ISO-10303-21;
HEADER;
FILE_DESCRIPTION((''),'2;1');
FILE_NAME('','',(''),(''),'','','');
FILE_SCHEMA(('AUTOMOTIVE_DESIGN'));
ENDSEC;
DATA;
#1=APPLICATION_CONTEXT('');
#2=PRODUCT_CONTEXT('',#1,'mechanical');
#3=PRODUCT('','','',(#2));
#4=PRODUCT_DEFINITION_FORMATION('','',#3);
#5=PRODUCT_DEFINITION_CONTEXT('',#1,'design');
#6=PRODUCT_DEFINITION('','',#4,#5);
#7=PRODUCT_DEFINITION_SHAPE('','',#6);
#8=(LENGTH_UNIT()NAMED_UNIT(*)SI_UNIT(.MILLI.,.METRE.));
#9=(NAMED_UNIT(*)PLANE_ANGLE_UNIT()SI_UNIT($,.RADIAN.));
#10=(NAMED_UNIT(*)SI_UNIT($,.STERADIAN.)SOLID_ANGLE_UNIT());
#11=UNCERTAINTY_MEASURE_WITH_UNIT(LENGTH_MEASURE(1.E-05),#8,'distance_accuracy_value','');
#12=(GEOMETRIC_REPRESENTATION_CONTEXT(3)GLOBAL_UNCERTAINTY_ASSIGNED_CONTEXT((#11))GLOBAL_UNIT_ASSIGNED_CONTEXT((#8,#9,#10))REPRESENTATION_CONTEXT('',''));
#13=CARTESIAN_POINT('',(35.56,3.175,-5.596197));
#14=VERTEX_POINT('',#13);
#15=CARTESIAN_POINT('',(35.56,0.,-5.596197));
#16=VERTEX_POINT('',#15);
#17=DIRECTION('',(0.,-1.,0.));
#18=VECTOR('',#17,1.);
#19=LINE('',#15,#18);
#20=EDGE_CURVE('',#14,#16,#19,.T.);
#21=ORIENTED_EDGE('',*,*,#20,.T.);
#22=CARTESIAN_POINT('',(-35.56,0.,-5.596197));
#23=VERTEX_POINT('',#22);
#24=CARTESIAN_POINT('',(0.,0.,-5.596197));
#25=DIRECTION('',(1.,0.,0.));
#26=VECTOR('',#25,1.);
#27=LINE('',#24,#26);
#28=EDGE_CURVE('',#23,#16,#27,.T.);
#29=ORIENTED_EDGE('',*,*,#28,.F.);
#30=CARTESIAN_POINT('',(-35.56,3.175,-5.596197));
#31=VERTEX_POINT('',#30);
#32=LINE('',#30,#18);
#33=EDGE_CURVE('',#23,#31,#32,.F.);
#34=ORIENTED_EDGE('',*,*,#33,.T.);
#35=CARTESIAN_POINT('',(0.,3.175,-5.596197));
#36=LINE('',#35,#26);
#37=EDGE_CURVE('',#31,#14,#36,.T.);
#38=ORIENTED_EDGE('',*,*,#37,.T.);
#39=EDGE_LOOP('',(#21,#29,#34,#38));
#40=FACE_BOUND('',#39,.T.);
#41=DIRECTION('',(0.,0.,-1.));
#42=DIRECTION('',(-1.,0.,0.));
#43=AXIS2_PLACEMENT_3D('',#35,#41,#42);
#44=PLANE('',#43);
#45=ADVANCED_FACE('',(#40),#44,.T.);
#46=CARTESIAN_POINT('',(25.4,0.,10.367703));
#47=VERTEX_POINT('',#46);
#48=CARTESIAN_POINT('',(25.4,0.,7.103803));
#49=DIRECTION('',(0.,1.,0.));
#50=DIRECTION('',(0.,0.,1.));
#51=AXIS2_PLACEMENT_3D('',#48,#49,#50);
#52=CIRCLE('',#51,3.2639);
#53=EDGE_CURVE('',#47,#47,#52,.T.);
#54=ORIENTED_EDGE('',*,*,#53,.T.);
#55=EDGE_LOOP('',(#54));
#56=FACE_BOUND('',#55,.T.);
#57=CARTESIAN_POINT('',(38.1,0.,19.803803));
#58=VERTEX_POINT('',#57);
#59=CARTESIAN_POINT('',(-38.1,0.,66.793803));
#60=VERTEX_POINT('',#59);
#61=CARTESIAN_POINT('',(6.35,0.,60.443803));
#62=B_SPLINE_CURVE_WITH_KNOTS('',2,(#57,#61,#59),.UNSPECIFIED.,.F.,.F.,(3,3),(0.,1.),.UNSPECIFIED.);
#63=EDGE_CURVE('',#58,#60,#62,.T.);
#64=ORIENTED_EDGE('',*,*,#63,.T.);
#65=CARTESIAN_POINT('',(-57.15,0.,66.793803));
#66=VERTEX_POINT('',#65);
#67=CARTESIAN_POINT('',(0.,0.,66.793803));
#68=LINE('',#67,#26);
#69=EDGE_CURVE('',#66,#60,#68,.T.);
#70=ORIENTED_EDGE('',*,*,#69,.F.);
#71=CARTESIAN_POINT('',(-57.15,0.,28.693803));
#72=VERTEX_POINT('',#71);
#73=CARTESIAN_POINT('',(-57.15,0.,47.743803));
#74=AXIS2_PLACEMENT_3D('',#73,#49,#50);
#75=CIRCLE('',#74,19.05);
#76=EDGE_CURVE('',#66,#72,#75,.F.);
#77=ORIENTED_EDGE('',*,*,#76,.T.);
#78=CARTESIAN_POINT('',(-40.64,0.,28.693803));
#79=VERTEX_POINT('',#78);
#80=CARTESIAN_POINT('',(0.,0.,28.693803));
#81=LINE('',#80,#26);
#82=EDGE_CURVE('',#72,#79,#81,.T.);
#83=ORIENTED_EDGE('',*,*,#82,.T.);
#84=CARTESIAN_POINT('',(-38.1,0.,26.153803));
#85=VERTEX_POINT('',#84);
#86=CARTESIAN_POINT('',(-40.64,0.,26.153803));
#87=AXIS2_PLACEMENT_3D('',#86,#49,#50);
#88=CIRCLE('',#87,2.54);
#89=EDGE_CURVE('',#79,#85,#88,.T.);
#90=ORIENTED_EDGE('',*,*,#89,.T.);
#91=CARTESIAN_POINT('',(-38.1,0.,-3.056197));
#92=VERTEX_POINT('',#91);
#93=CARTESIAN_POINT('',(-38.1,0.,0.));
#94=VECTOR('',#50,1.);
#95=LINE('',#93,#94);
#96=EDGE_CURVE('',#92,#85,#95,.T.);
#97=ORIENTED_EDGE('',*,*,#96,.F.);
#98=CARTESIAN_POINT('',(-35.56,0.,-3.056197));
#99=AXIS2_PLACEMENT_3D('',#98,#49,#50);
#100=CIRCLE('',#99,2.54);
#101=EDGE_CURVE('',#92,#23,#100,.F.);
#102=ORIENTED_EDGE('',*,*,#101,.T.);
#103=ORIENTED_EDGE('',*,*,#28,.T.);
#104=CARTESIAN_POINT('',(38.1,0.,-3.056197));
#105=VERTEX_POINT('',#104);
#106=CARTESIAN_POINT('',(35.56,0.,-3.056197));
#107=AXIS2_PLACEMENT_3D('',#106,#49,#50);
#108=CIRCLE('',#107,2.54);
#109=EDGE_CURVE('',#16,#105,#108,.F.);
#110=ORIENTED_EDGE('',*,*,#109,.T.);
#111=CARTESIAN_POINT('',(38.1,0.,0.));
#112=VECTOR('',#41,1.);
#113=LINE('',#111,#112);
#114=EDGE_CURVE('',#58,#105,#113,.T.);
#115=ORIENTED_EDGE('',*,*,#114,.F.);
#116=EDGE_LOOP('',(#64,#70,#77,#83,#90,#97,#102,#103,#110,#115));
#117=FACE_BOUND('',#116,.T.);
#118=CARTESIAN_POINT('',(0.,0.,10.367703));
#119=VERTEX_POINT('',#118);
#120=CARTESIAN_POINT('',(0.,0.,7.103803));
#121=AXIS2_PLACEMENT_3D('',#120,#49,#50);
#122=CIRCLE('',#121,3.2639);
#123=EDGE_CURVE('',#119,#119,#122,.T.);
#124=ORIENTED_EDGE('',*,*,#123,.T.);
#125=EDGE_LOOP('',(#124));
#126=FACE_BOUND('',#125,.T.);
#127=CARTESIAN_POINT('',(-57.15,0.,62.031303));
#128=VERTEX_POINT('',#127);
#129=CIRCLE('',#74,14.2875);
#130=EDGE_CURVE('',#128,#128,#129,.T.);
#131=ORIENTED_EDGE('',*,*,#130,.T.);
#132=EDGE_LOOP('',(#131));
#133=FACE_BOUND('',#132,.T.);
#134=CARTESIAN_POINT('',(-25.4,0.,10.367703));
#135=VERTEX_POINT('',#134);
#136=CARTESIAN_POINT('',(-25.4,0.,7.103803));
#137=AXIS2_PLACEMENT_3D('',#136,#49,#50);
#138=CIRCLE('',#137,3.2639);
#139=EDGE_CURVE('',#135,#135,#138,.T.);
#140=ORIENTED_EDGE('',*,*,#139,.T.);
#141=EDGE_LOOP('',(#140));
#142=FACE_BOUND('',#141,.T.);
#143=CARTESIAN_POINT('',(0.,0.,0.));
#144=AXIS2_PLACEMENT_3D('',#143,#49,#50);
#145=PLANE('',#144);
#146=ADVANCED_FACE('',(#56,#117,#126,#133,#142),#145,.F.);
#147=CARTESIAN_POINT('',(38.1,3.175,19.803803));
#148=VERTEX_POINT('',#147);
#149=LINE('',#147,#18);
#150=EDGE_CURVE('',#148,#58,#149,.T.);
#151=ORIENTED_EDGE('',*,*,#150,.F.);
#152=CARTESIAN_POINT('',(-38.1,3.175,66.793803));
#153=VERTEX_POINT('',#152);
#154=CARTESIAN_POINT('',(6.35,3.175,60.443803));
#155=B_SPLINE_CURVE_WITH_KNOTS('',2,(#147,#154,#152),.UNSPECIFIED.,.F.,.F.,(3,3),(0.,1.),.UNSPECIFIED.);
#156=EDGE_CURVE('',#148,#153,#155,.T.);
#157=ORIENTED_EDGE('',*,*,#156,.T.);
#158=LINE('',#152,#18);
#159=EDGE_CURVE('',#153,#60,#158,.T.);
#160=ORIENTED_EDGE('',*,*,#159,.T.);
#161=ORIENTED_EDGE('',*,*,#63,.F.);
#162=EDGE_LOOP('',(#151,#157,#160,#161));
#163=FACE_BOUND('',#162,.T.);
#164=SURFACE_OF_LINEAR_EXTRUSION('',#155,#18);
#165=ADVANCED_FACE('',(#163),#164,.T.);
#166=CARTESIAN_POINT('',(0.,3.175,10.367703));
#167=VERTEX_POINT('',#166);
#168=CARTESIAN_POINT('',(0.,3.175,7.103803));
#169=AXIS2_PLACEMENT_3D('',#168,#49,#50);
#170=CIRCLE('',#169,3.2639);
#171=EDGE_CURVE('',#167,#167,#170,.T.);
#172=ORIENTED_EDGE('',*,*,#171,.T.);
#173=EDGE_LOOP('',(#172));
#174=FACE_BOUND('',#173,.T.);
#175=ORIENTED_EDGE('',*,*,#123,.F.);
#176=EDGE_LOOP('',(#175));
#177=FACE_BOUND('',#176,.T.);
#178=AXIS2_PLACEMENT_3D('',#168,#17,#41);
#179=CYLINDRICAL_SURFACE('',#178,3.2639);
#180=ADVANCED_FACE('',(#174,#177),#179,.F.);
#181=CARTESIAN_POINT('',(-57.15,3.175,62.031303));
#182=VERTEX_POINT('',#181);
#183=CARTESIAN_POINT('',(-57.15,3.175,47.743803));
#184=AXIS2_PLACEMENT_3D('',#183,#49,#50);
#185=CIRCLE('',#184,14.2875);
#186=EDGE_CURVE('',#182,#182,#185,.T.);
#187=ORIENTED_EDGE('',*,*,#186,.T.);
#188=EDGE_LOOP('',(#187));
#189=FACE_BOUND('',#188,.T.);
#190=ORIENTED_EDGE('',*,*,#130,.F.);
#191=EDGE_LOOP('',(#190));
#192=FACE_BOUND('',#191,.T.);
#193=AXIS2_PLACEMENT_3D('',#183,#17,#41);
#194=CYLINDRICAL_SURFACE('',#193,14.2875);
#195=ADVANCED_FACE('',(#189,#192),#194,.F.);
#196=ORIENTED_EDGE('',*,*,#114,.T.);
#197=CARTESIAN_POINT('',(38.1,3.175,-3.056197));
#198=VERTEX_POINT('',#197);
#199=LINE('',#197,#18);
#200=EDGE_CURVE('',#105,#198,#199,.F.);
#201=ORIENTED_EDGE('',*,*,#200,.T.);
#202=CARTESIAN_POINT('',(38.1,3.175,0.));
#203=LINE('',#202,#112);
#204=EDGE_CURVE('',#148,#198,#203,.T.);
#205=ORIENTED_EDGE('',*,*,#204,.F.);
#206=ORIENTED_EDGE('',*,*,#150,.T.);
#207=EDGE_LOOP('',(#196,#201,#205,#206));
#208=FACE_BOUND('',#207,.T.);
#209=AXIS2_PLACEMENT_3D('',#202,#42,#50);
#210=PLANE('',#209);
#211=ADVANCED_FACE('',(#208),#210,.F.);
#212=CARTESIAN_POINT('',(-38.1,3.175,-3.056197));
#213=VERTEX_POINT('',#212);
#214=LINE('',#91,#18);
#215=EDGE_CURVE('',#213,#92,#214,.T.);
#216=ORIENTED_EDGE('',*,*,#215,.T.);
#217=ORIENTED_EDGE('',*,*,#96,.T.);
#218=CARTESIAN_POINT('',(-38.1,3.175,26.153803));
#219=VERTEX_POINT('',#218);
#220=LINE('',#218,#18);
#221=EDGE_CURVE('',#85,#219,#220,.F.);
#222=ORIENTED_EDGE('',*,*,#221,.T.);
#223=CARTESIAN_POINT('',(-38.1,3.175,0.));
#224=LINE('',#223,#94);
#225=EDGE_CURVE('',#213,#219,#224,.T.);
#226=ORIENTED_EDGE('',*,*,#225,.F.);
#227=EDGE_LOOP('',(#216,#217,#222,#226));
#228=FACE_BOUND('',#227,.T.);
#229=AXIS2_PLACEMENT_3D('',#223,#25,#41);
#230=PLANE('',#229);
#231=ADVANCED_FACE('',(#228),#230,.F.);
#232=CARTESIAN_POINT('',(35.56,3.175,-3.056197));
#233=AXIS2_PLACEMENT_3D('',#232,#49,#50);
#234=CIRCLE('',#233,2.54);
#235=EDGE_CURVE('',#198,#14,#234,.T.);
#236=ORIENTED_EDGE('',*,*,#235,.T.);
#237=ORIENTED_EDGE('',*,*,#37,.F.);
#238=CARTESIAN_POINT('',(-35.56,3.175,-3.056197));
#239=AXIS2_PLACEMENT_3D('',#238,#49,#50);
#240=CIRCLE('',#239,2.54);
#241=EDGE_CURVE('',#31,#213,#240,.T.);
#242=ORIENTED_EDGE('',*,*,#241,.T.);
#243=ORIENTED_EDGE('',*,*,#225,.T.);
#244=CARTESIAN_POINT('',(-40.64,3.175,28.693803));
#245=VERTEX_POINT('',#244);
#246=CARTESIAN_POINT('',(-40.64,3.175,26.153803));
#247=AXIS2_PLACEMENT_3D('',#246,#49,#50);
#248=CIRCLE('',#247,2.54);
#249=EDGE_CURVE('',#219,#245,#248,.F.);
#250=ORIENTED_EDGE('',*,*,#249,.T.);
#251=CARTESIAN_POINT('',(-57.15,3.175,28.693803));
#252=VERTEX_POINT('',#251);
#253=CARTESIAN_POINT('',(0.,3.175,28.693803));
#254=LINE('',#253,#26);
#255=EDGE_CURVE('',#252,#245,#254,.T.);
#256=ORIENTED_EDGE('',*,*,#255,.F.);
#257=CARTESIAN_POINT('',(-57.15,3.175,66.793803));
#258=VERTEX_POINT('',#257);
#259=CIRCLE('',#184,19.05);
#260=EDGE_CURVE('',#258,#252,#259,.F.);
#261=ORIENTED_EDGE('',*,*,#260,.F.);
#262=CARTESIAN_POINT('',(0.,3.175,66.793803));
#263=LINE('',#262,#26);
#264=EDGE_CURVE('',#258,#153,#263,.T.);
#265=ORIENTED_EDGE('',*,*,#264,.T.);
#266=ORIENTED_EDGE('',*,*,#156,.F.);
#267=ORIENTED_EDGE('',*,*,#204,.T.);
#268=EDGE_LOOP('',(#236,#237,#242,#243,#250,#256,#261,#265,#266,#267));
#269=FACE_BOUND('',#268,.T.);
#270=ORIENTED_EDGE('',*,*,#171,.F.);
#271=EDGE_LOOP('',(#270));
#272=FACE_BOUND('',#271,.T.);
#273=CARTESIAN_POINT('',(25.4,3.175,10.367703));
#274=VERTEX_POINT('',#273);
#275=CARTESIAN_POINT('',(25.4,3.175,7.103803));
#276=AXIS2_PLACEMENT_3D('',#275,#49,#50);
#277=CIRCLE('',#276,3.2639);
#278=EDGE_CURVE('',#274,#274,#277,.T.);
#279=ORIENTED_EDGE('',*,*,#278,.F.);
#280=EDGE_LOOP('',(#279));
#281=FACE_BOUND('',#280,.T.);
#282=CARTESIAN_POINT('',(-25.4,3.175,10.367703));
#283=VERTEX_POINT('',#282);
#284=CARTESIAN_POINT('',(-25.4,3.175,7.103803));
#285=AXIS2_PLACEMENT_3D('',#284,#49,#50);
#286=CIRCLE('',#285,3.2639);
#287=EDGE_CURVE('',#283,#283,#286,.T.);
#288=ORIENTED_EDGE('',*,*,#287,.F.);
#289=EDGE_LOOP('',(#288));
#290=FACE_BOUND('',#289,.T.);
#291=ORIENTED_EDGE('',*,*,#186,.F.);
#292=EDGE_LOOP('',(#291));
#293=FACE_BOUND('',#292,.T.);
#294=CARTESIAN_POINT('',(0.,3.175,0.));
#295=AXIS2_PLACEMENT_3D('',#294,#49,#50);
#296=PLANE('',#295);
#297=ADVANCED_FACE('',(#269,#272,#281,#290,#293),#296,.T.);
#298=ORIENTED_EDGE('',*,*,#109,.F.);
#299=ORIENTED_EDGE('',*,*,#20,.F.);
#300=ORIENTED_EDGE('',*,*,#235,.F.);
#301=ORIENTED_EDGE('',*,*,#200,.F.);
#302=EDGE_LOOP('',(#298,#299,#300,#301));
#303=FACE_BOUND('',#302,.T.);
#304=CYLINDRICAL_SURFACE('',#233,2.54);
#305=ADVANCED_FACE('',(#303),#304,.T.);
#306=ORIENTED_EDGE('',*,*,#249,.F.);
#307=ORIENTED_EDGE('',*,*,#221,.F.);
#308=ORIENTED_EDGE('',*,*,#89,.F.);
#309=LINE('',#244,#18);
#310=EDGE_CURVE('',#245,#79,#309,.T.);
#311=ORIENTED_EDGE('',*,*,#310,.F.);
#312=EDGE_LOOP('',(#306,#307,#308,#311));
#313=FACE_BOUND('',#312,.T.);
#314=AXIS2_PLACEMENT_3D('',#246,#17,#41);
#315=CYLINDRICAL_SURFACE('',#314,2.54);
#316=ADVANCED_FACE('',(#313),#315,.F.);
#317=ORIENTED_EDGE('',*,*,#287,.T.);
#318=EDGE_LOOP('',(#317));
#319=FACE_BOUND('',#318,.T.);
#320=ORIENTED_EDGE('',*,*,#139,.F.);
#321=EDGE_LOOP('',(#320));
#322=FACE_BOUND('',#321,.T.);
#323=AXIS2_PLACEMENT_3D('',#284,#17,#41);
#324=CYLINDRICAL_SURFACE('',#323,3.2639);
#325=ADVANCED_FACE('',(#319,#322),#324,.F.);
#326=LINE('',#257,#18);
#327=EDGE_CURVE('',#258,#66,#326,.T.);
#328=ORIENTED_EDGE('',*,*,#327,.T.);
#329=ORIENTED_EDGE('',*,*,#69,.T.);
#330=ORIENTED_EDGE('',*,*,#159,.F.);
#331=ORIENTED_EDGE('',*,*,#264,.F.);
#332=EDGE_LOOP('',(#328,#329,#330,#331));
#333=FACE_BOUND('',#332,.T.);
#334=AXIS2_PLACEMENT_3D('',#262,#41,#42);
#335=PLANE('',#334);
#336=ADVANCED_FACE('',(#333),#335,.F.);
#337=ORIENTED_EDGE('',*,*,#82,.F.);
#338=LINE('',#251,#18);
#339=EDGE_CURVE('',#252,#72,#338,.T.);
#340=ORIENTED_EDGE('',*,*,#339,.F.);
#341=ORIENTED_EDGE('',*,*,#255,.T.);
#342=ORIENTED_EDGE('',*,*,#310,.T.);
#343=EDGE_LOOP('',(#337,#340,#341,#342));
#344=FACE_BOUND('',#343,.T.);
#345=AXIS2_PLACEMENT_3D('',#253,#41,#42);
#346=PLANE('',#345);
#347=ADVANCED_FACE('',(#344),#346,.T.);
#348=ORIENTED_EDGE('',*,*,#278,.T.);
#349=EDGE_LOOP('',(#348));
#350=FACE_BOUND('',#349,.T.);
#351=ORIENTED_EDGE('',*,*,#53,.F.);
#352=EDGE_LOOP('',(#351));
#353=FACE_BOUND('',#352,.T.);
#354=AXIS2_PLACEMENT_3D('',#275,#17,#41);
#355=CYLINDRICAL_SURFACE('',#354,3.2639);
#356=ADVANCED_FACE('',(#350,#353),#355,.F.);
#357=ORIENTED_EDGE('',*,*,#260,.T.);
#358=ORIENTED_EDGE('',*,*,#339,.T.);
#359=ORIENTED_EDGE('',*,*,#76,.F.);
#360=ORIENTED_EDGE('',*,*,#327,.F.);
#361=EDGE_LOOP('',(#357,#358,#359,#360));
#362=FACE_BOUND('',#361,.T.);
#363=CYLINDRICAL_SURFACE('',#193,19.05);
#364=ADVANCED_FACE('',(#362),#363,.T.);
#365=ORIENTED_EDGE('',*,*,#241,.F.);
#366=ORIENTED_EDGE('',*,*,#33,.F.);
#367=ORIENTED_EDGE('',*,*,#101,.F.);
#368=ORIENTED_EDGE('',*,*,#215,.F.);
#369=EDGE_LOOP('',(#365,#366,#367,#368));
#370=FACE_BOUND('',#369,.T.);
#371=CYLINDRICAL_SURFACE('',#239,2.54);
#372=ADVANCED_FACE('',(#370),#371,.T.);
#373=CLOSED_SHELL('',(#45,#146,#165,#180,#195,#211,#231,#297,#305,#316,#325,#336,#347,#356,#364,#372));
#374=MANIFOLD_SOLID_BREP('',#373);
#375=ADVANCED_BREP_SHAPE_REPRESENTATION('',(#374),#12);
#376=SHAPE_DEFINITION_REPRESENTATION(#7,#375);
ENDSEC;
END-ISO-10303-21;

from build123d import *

# Parameters (mm, degrees)
SKETCH1_R           = 14.2875
SKETCH1_R_2         = 3.2639
BOSS_EXTRUDE1_DEPTH = 3.175
FILLET1_R           = 2.54


with BuildPart() as part:
    # Sketch1 → Boss-Extrude1 (new body)
    with BuildSketch(Plane(origin=(0, 0, 0), x_dir=(1, 0, 0), z_dir=(0, 1, 0))):
        with BuildLine():
            Line((-38.1, -28.693802537), (-57.15, -28.693802537))
            ThreePointArc((-57.15, -28.693802537), (-76.2, -47.743802537), (-57.15, -66.793802537))
            Line((-57.15, -66.793802537), (-38.1, -66.793802537))
            add(Edge.make_bspline(
                [(38.1, -19.803802537), (6.35, -60.443802537), (-38.1, -66.793802537)],
                knots=[0, 0, 0, 1, 1, 1], degree=2))
            Line((38.1, -19.803802537), (38.1, 5.596197463))
            Line((38.1, 5.596197463), (-38.1, 5.596197463))
            Line((-38.1, 5.596197463), (-38.1, -28.693802537))
        make_face()
        with Locations((-57.15, -47.743802537)):
            Circle(SKETCH1_R, mode=Mode.SUBTRACT)
        with Locations((-25.4, -7.103802537)):
            Circle(SKETCH1_R_2, mode=Mode.SUBTRACT)
        with Locations((0, -7.103802537)):
            Circle(SKETCH1_R_2, mode=Mode.SUBTRACT)
        with Locations((25.4, -7.103802537)):
            Circle(SKETCH1_R_2, mode=Mode.SUBTRACT)
    extrude(amount=BOSS_EXTRUDE1_DEPTH)

    # Fillet1
    fillet1_edges = [part.edges().sort_by_distance(p)[0] for p in [
        (-38.1, 1.5875, 28.693802537),
        (-38.1, 1.5875, -5.596197463),
        (38.1, 1.5875, -5.596197463),
    ]]
    fillet(fillet1_edges, radius=FILLET1_R)


solid = part.part
